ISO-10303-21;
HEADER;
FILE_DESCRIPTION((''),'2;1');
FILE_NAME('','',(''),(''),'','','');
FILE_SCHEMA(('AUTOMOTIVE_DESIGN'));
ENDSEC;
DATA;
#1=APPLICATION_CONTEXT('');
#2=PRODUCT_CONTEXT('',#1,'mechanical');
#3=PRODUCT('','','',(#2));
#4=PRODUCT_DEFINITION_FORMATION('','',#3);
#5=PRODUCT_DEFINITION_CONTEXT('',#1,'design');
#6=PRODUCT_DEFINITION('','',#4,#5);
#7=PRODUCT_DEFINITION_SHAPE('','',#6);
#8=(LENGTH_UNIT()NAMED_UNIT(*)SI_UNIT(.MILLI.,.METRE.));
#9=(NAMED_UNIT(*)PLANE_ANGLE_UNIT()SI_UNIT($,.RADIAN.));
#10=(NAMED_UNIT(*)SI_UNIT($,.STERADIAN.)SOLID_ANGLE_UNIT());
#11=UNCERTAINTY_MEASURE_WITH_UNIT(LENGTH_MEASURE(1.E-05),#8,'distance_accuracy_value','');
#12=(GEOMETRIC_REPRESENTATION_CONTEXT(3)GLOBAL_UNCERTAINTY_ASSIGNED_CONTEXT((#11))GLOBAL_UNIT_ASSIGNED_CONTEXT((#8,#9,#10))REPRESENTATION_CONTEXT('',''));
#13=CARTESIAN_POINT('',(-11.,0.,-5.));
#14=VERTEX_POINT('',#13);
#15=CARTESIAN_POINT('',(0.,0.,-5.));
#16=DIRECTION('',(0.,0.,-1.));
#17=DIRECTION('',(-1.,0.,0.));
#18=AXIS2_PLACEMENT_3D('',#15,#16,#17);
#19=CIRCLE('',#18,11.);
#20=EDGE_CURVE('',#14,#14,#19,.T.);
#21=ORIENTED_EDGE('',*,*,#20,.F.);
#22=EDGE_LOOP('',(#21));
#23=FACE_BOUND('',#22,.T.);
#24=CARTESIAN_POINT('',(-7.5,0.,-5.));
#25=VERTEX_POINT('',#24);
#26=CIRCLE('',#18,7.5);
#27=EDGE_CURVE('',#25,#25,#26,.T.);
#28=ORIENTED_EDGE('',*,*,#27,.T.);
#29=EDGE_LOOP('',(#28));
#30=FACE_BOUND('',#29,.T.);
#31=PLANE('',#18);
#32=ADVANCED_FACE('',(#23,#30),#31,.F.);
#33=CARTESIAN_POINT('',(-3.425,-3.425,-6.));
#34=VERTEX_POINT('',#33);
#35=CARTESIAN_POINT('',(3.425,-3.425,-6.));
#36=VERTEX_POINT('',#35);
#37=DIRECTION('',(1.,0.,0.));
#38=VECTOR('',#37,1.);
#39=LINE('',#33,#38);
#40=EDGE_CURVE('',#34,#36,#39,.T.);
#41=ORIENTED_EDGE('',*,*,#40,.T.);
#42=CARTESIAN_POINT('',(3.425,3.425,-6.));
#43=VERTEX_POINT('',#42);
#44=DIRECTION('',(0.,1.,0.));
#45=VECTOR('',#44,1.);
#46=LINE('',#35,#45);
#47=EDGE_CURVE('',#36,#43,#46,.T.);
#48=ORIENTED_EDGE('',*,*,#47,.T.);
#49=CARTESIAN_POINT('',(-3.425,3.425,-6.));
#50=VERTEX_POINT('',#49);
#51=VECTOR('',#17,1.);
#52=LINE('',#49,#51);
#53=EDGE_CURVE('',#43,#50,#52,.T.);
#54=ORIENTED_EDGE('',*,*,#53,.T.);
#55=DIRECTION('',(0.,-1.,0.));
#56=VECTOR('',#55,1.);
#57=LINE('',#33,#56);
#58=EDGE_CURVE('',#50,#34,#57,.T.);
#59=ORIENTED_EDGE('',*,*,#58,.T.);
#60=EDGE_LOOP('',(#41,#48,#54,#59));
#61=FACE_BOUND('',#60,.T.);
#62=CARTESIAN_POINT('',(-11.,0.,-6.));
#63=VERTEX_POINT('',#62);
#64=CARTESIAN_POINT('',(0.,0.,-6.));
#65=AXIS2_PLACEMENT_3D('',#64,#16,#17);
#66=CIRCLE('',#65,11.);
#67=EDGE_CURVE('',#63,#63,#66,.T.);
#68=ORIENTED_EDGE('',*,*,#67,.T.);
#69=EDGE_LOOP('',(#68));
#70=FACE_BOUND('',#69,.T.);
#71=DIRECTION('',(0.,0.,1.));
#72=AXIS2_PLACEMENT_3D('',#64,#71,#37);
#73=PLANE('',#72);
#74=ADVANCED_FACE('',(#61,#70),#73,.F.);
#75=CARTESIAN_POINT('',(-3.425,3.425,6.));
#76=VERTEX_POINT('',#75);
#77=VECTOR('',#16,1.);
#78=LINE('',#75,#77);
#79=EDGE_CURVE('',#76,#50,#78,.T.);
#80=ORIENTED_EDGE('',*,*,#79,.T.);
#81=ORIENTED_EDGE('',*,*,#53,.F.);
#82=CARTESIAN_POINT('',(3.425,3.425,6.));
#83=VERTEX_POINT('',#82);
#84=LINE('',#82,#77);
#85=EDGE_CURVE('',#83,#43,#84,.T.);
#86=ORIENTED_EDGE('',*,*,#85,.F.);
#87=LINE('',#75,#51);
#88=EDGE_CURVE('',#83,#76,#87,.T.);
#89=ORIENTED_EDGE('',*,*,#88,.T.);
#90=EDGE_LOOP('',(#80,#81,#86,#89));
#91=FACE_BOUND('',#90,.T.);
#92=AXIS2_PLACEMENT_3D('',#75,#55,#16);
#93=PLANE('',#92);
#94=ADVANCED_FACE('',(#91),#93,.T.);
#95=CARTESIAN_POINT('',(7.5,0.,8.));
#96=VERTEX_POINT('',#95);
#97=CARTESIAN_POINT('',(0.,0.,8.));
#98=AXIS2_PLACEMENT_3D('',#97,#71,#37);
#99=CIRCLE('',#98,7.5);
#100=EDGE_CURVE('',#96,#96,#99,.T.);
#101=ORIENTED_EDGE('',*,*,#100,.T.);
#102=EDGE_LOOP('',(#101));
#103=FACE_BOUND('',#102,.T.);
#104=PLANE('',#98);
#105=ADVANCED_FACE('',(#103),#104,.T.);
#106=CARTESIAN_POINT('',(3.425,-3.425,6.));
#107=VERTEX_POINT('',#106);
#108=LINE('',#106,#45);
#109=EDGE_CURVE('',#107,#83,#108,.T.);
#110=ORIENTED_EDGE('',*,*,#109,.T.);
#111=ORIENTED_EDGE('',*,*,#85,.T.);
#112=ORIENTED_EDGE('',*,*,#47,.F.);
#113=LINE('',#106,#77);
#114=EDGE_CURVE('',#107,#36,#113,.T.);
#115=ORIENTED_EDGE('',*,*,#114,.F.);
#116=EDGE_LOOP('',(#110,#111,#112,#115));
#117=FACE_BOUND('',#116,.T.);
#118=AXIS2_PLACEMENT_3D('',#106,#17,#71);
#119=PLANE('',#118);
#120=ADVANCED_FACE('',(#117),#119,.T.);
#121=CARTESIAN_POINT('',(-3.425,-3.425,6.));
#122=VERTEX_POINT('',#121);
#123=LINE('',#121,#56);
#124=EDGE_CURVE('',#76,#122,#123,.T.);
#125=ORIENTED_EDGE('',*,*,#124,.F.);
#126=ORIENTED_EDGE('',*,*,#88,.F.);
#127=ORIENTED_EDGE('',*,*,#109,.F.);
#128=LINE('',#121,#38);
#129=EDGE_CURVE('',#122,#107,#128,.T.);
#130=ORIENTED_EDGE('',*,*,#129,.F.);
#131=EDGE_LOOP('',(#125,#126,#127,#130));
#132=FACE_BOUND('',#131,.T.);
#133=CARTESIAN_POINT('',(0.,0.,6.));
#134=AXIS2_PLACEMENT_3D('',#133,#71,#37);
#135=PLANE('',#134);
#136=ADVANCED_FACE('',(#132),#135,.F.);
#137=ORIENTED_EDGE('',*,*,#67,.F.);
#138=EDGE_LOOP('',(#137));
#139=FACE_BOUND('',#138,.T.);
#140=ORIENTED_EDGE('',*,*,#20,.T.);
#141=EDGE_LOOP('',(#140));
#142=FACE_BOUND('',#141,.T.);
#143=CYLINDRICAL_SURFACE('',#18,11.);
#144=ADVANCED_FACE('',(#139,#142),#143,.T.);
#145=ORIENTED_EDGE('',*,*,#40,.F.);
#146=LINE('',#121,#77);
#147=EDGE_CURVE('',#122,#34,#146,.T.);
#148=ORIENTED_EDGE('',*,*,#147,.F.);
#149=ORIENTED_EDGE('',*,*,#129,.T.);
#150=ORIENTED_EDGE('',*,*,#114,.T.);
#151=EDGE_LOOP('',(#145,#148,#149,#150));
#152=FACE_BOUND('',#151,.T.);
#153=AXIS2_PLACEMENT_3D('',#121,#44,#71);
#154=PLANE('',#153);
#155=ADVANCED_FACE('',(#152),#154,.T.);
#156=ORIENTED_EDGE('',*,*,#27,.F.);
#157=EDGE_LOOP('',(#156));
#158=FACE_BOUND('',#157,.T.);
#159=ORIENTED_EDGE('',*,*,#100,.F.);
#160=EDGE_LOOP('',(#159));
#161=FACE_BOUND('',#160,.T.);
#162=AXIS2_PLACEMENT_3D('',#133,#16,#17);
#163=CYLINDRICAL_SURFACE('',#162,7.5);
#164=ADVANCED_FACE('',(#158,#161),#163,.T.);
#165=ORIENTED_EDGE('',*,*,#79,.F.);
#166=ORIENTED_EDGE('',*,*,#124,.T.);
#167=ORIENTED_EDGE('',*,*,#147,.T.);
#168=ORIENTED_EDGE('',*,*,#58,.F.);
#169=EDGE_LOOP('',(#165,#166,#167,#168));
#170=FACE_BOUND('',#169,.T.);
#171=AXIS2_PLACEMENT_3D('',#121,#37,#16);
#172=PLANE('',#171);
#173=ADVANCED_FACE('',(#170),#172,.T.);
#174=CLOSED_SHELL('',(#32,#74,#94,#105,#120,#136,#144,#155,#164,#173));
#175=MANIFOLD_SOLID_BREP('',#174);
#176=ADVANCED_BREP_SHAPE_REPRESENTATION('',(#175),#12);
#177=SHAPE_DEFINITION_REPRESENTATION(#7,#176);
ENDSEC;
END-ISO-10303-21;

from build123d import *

# Parameters (mm, degrees)
SKETCH1_R           = 7.5
SKETCH1_W           = 6.85
SKETCH1_H           = 6.85
BOSS_EXTRUDE1_DEPTH = 6
SKETCH2_R           = 11
SKETCH2_R_2         = 7.5
BOSS_EXTRUDE2_DEPTH = 1
BOSS_EXTRUDE3_START = 6
SKETCH1_2_R         = 7.5
SKETCH1_2_W         = 6.85
SKETCH1_2_H         = 6.85
BOSS_EXTRUDE3_DEPTH = 2


with BuildPart() as part:
    # Sketch1 → Boss-Extrude1 (new, symmetric)
    with BuildSketch(Plane.XY):
        Circle(SKETCH1_R)
        Rectangle(SKETCH1_W, SKETCH1_H, mode=Mode.SUBTRACT)
    extrude(amount=BOSS_EXTRUDE1_DEPTH, both=True)

    # Sketch2 → Boss-Extrude2 (add)
    with BuildSketch(Plane(origin=(0, 0, -6), x_dir=(-1, 0, 0), z_dir=(0, 0, -1))):
        Circle(SKETCH2_R)
        Circle(SKETCH2_R_2, mode=Mode.SUBTRACT)
    extrude(amount=-BOSS_EXTRUDE2_DEPTH)

    # Sketch1<2> → Boss-Extrude3 (add)
    with BuildSketch(Plane.XY.offset(BOSS_EXTRUDE3_START)):
        with Locations(Location((0, 0, 0), (0, 0, 180))):
            Circle(SKETCH1_2_R)
        Rectangle(SKETCH1_2_W, SKETCH1_2_H, mode=Mode.SUBTRACT)
        Rectangle(SKETCH1_2_W, SKETCH1_2_H)
    extrude(amount=BOSS_EXTRUDE3_DEPTH)


solid = part.part
